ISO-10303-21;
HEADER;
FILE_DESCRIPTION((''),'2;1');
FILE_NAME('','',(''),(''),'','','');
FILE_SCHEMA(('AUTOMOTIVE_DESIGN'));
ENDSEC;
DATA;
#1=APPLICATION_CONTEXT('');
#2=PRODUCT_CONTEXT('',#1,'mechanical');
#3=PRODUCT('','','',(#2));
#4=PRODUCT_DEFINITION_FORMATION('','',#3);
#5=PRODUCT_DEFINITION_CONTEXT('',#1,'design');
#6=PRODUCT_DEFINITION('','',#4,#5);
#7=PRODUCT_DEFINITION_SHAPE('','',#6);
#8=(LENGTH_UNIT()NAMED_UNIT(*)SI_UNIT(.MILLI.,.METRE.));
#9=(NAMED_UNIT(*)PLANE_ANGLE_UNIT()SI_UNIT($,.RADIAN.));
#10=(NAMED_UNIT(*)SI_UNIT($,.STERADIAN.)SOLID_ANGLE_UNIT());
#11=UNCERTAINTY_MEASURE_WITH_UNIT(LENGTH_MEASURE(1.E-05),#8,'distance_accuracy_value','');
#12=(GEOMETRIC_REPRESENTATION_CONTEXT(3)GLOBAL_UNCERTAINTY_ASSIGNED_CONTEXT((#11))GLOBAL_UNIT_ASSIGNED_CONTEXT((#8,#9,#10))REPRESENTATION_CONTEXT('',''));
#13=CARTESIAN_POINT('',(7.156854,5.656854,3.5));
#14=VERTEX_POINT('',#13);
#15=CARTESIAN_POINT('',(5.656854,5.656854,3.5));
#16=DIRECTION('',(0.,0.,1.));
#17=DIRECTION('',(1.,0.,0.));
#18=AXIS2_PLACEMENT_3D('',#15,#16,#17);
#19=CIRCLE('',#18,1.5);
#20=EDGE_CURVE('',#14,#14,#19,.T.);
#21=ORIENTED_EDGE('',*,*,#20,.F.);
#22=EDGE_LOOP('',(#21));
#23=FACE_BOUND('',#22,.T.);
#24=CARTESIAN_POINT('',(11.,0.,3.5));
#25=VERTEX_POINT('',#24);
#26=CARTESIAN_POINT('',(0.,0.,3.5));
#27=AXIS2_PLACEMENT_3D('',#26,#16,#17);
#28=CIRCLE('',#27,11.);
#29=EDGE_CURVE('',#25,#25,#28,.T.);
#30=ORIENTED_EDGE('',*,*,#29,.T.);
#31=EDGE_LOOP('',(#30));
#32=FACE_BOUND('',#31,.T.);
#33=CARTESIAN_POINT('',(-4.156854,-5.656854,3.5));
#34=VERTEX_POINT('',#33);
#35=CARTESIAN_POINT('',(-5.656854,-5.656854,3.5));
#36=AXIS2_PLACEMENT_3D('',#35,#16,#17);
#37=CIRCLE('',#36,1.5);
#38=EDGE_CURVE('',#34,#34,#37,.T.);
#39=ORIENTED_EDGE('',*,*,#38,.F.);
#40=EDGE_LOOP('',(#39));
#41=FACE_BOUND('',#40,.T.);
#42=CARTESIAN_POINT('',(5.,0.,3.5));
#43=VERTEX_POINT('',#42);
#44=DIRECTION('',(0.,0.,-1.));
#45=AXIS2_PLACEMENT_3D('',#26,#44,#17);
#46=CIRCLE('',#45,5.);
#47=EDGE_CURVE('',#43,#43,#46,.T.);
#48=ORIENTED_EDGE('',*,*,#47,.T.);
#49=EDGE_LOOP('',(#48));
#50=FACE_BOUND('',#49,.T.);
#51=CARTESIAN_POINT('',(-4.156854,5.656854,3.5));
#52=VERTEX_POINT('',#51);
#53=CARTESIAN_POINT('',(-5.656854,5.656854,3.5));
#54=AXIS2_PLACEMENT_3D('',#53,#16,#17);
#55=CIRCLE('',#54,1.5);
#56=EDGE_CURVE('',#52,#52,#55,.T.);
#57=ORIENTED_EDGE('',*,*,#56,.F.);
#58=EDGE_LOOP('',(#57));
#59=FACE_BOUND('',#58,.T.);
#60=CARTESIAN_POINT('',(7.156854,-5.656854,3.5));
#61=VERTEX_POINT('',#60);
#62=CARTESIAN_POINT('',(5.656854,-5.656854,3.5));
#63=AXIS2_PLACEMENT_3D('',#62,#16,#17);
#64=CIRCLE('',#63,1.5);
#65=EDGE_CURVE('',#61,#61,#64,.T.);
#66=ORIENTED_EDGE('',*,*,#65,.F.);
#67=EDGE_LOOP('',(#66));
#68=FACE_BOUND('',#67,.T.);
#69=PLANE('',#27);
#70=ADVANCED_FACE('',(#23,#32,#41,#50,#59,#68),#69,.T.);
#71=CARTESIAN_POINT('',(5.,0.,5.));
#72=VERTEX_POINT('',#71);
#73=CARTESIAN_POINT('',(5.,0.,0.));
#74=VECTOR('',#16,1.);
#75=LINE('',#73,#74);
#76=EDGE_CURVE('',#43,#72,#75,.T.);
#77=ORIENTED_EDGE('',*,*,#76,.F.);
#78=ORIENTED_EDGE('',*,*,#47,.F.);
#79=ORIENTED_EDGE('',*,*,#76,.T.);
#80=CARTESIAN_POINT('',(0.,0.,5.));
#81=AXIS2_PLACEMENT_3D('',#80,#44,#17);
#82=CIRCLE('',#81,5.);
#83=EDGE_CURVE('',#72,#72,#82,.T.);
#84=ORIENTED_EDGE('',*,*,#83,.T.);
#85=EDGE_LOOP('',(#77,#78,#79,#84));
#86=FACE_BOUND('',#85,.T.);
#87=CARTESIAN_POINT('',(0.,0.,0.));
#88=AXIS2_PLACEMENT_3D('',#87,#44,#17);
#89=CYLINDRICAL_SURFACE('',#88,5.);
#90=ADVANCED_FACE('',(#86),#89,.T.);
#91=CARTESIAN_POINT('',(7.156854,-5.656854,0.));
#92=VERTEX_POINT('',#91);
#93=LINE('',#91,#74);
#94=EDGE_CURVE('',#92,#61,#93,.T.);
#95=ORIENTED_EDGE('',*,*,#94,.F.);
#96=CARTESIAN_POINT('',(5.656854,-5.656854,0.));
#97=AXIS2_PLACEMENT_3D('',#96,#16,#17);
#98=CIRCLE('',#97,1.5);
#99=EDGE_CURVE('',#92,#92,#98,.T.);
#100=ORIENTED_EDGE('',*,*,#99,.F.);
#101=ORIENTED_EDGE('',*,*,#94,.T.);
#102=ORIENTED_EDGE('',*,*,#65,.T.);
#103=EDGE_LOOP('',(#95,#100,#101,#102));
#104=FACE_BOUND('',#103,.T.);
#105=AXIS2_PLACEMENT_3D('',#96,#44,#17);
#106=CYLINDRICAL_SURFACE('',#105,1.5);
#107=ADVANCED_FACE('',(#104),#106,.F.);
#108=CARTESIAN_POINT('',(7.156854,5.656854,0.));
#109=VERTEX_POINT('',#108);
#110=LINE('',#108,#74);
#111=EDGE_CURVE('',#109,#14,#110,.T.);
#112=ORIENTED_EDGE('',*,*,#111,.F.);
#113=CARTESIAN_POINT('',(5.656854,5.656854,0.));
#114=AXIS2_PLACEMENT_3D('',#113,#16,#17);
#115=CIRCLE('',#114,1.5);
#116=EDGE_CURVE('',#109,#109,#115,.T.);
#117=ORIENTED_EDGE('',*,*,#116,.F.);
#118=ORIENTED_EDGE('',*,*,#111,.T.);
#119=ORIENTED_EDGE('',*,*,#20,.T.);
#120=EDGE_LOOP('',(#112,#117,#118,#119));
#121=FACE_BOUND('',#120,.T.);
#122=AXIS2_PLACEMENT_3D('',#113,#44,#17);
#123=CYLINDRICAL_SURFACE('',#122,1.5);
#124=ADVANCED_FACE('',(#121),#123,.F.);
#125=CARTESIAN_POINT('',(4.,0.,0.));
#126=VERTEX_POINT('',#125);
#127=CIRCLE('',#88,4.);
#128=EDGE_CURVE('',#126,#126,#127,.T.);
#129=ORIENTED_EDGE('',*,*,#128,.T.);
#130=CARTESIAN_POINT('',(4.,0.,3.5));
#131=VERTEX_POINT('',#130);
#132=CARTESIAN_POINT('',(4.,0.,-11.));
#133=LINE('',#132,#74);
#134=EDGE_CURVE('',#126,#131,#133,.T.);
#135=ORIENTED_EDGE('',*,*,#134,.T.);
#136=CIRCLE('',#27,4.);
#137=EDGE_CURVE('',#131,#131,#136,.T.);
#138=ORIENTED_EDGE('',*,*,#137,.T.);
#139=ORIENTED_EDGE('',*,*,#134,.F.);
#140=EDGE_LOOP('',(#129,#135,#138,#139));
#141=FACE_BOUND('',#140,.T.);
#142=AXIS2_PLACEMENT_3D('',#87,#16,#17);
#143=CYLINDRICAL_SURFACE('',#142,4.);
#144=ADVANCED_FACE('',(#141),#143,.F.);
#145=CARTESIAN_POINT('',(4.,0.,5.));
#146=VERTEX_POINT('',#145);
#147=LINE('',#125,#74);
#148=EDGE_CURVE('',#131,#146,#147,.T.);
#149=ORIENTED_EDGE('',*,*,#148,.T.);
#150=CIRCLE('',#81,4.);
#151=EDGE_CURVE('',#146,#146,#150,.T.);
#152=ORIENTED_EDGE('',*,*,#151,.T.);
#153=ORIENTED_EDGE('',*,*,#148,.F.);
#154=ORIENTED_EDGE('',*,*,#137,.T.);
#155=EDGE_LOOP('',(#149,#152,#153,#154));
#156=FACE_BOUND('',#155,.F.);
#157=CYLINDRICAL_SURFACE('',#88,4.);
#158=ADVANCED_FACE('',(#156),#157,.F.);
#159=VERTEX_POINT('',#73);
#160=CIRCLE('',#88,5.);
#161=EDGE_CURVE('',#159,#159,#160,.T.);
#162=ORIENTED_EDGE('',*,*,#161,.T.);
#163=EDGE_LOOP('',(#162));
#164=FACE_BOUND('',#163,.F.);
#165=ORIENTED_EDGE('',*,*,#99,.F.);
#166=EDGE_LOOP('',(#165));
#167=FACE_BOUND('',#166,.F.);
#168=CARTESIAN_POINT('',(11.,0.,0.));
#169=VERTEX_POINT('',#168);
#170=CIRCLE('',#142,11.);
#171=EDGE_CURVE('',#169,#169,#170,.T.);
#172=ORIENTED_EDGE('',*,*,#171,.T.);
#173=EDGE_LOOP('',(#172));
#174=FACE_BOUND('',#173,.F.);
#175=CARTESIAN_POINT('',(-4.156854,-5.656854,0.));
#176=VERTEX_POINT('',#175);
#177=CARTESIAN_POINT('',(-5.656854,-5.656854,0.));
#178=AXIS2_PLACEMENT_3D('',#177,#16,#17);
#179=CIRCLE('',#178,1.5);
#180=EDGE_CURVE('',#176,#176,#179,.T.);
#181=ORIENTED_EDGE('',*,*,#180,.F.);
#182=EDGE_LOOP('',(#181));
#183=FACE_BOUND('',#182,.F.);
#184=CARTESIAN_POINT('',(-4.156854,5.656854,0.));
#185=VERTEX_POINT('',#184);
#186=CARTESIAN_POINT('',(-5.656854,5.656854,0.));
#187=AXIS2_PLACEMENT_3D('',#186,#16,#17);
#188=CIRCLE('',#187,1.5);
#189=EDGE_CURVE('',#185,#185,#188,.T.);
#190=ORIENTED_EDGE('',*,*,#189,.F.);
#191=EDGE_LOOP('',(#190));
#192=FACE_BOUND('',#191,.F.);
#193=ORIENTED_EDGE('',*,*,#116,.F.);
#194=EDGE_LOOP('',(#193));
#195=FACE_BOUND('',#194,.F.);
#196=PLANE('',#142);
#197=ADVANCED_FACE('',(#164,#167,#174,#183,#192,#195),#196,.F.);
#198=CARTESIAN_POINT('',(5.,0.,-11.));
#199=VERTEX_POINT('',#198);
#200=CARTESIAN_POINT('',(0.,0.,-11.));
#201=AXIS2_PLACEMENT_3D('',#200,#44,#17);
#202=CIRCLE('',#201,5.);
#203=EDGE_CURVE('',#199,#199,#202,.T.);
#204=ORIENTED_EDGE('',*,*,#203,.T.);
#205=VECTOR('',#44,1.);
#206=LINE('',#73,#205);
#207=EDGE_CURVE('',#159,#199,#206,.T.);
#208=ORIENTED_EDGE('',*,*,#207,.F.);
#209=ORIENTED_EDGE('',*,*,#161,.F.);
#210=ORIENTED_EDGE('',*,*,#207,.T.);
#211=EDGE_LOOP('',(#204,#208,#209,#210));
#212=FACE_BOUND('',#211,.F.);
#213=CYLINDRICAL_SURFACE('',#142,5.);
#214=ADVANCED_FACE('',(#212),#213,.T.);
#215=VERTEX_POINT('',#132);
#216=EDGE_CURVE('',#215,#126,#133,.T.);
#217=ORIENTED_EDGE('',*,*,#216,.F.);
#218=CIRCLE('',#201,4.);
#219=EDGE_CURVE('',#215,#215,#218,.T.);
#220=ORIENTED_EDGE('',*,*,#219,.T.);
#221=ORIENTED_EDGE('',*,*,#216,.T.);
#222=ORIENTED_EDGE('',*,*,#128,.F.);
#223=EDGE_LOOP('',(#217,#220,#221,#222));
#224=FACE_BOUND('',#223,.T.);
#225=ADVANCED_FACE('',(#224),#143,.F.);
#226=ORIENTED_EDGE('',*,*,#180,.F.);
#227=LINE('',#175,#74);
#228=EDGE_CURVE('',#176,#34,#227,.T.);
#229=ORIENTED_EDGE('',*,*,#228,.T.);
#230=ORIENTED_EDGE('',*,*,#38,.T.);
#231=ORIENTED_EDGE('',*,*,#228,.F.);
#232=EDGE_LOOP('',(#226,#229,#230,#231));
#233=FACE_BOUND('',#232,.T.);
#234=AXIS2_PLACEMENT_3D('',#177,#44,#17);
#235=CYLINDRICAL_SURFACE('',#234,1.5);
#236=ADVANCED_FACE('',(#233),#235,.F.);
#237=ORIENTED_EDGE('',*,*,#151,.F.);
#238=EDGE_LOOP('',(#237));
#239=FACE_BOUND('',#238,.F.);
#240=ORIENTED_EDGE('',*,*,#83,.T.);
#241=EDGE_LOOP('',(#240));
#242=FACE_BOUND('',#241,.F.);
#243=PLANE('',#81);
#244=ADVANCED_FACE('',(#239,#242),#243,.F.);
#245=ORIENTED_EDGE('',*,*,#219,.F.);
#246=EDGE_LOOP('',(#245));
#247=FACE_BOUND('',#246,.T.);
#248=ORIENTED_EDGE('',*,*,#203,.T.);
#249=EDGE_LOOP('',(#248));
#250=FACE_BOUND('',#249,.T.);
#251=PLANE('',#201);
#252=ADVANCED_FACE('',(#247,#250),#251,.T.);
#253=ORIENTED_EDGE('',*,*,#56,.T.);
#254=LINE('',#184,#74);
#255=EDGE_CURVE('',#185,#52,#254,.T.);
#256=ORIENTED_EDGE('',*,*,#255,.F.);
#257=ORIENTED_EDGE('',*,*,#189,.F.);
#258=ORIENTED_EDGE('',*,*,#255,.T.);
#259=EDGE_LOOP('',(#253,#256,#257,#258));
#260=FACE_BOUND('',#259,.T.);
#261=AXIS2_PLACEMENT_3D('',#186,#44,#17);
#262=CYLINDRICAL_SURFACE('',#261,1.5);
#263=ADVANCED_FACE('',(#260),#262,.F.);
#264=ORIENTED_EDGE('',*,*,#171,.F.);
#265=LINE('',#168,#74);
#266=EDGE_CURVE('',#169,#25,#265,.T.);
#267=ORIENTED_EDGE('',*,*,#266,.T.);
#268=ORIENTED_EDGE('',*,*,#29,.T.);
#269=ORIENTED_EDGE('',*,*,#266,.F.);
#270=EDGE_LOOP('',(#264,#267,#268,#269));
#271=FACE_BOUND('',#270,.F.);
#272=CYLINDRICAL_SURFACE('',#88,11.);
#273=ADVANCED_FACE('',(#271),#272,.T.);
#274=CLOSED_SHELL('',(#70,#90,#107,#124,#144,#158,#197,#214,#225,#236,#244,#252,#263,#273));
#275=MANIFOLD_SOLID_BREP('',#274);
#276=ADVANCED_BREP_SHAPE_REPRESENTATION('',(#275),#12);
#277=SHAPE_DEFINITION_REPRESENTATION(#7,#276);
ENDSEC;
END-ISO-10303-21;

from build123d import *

# Parameters (mm, degrees)
F0_R          = 11
F0_R_2        = 1.5
F0_R_3        = 4
F1_DEPTH      = 3.5
F2_R          = 5
F2_R_2        = 4
F3_DEPTH      = 11
F3_DEPTH_BACK = 5


with BuildPart() as f1:
    # F0 (on Top) → F1 (new body)
    with BuildSketch(Plane.XY):
        Circle(F0_R)
        with Locations((-5.656854, -5.656854)):
            Circle(F0_R_2, mode=Mode.SUBTRACT)
        with Locations((5.656854, -5.656854)):
            Circle(F0_R_2, mode=Mode.SUBTRACT)
        with Locations((-5.656854, 5.656854)):
            Circle(F0_R_2, mode=Mode.SUBTRACT)
        Circle(F0_R_3, mode=Mode.SUBTRACT)
        with Locations((5.656854, 5.656854)):
            Circle(F0_R_2, mode=Mode.SUBTRACT)
    extrude(amount=F1_DEPTH)

    # F2 (on face) → F3 (join, two sides)
    with BuildSketch(Plane(origin=(0, 0, 0), x_dir=(1, 0, 0), z_dir=(0, 0, -1))) as f3_sk:
        Circle(F2_R)
        Circle(F2_R_2, mode=Mode.SUBTRACT)
    extrude(amount=F3_DEPTH)
    extrude(f3_sk.sketch, amount=-F3_DEPTH_BACK)


solid = f1.part
